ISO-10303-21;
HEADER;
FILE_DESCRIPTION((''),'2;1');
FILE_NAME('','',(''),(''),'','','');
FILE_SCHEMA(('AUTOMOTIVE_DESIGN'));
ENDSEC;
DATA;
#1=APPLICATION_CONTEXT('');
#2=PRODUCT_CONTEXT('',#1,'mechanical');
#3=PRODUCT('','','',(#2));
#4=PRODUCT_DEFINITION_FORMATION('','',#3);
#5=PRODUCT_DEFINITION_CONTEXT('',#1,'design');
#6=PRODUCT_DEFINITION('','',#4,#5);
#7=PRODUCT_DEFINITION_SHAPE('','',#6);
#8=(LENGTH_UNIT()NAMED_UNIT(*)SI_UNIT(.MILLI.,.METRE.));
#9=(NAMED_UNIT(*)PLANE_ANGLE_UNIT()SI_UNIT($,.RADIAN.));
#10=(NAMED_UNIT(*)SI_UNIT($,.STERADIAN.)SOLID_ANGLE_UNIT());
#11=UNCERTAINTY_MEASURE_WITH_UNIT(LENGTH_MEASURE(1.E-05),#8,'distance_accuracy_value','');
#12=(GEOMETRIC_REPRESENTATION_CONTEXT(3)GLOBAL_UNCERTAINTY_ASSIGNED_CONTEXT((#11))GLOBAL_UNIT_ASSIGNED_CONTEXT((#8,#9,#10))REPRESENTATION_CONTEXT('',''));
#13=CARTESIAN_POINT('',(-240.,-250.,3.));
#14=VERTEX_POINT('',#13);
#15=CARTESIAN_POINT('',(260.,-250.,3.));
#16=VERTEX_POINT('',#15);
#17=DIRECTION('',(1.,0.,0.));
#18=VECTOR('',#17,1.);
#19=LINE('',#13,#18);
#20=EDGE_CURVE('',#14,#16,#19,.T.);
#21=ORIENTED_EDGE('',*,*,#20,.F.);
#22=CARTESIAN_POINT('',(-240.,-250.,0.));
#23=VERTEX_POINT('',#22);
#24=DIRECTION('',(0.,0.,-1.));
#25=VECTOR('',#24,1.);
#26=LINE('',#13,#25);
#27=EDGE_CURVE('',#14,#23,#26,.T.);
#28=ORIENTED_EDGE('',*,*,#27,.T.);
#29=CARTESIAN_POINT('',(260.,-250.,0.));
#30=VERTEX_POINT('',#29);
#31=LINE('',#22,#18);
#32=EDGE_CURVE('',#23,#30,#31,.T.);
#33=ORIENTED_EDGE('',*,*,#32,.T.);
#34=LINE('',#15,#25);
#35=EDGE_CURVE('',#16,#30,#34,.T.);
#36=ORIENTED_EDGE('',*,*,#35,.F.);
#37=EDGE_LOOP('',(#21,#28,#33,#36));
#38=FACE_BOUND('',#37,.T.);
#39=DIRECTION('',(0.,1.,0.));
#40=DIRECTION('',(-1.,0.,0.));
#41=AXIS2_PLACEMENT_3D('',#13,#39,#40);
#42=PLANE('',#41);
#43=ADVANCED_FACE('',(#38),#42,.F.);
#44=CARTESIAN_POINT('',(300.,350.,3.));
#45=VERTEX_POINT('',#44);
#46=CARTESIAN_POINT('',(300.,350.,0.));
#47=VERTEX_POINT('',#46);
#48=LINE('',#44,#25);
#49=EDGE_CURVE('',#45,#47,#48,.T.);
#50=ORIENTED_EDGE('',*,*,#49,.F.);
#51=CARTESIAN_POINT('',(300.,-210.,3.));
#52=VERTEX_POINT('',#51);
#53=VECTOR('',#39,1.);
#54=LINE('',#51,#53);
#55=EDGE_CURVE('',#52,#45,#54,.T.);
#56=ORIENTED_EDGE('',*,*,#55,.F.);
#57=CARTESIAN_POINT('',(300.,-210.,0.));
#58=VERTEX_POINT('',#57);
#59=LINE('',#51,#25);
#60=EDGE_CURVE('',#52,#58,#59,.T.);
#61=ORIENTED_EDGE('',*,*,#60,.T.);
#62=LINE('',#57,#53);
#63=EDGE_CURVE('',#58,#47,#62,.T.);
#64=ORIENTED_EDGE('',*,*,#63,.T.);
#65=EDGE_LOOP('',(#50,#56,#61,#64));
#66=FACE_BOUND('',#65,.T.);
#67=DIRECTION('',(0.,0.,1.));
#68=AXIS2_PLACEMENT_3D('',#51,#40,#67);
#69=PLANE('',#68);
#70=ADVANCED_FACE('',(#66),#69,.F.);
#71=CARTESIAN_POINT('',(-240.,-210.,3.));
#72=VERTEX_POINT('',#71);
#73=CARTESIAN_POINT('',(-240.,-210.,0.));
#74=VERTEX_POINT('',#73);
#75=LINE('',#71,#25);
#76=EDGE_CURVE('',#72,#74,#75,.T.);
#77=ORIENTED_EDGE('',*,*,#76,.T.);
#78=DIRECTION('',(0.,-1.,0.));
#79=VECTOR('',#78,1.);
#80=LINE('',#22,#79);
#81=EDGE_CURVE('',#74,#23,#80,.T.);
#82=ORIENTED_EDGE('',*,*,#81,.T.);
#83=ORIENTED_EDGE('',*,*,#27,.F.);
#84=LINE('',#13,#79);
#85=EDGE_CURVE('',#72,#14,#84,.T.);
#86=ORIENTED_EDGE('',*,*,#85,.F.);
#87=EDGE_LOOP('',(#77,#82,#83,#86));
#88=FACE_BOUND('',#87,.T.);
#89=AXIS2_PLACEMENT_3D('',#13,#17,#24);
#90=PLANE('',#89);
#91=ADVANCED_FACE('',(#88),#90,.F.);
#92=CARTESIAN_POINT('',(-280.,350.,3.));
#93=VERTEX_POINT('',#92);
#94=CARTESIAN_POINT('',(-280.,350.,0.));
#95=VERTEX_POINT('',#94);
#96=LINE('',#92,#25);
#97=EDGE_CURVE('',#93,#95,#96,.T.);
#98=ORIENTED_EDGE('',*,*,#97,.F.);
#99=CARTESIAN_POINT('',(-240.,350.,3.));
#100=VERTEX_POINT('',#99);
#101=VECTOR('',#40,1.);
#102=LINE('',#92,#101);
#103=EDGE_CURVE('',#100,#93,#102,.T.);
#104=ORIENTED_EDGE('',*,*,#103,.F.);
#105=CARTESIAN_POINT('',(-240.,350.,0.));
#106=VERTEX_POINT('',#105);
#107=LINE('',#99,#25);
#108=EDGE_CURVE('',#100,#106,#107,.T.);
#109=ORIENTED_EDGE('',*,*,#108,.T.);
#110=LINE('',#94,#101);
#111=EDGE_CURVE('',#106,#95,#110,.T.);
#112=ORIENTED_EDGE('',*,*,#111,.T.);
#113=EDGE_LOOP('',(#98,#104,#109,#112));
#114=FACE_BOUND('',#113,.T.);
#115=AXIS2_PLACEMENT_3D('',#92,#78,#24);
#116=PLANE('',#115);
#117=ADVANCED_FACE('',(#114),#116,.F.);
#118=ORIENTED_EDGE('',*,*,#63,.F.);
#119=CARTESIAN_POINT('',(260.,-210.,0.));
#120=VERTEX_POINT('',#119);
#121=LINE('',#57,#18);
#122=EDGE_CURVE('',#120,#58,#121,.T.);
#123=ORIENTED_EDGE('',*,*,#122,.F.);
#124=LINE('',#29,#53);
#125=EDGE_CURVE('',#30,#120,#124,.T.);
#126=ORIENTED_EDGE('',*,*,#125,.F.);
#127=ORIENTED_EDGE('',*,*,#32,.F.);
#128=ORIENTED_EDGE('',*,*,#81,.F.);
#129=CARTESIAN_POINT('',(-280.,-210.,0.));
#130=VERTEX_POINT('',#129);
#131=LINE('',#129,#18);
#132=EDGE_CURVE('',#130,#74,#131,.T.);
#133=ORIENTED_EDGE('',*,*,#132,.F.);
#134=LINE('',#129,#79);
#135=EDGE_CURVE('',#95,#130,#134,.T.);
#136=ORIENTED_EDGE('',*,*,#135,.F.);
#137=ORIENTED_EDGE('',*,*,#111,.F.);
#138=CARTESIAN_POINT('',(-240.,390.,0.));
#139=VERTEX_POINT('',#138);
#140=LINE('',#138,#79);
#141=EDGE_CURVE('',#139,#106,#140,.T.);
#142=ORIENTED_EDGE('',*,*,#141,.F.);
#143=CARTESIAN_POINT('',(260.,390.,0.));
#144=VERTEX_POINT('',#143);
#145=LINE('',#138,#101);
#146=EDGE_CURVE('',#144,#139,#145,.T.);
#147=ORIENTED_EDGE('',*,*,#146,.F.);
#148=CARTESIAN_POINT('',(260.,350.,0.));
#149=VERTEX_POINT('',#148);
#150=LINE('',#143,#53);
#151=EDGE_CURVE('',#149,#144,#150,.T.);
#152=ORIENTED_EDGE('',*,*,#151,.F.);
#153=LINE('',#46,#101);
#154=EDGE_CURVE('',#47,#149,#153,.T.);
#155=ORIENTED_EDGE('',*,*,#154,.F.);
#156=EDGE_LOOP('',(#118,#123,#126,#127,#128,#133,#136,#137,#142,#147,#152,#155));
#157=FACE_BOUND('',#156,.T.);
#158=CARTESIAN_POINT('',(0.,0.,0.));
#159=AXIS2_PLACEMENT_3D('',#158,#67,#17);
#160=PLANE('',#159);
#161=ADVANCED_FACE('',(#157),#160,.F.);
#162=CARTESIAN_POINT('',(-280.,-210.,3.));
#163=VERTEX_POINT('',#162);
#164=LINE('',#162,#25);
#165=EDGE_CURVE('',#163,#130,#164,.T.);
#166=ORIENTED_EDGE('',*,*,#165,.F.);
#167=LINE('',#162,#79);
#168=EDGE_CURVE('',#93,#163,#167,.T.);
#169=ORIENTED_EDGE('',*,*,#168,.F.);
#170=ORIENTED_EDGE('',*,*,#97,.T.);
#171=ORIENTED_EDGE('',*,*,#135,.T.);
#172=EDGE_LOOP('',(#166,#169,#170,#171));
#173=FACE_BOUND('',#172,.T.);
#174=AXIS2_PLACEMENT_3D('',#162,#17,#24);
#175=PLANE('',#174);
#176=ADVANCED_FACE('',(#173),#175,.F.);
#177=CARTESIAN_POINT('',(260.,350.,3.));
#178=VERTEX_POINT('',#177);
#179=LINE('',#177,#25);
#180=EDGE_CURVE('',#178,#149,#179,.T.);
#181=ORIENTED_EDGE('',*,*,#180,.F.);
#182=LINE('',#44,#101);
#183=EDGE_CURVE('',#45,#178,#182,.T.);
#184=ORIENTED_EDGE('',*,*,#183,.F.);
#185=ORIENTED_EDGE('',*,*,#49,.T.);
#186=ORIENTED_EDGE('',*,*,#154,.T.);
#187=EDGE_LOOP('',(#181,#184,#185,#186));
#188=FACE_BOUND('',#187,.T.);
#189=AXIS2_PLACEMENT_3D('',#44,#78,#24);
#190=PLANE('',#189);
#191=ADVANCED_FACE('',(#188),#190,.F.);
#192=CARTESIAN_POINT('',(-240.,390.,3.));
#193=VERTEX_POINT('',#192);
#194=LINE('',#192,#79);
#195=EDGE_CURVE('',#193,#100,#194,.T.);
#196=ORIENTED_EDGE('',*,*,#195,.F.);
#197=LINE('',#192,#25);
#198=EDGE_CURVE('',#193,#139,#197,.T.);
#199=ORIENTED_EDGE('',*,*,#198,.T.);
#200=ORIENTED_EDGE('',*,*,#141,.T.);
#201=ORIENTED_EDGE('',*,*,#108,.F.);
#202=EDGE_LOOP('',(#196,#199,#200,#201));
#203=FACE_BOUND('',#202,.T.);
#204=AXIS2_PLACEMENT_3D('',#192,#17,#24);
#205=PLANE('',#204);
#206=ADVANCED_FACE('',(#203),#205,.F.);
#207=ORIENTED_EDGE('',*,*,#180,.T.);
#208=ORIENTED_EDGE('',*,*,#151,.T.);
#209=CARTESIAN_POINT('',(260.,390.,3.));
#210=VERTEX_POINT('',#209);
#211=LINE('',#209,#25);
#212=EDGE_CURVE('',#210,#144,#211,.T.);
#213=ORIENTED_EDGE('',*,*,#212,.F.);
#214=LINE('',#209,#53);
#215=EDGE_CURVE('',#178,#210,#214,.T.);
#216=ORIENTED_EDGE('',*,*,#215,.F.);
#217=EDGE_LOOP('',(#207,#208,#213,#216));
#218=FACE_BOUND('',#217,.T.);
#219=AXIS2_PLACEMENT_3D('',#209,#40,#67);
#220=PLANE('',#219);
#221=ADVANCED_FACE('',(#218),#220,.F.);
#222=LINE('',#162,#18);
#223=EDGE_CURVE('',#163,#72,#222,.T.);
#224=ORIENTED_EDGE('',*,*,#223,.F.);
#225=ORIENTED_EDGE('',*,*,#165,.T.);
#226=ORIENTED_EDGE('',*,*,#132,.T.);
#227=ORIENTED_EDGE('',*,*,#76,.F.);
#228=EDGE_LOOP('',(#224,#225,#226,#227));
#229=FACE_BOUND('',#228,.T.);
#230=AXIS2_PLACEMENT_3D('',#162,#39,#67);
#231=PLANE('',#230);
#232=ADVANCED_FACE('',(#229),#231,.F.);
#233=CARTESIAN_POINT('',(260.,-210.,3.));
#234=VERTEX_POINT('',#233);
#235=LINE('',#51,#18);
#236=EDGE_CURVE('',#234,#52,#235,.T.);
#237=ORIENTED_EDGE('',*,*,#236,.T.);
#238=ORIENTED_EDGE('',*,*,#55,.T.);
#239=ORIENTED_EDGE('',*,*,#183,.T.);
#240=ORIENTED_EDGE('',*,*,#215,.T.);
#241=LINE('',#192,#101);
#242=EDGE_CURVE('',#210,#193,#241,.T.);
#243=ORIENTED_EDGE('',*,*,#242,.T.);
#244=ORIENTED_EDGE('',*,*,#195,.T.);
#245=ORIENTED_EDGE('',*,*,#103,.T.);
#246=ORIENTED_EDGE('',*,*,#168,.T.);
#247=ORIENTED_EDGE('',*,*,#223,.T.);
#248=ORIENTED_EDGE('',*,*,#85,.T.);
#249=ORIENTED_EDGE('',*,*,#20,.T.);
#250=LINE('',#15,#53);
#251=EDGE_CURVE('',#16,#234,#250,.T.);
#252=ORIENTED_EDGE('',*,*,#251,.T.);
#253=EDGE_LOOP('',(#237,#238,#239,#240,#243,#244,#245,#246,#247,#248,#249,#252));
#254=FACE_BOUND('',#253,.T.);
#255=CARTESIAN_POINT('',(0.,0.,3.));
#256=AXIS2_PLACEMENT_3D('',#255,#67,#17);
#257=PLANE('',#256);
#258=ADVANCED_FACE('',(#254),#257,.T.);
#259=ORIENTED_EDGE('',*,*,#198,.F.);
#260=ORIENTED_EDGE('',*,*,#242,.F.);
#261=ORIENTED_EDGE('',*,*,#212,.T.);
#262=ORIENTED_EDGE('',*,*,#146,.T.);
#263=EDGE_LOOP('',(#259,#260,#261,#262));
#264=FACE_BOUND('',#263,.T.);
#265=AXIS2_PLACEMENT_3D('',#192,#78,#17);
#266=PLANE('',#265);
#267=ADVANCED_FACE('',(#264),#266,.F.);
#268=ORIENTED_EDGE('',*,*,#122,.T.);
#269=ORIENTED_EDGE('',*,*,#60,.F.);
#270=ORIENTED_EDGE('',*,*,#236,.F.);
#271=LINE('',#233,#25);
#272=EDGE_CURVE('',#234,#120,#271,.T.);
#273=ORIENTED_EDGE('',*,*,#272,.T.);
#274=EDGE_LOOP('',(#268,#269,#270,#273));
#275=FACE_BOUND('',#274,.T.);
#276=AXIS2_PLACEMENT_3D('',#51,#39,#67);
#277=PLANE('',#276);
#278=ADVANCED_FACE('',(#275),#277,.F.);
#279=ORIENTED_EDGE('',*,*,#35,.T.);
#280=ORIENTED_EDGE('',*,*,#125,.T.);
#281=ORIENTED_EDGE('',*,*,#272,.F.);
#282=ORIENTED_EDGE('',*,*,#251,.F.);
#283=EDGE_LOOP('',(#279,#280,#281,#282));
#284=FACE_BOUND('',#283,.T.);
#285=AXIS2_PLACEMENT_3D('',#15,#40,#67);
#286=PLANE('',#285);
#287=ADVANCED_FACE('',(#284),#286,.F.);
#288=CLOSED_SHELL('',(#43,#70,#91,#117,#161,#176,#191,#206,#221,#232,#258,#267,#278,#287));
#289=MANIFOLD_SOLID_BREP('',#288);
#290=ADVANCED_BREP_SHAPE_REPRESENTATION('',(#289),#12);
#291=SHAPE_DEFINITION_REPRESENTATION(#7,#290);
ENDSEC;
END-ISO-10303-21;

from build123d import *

# Parameters (mm, degrees)
BOSS_EXTRU_1_DEPTH = 3


with BuildPart() as part:
    # Esquisse1 → Boss.-Extru.1 (new body)
    with BuildSketch(Plane.XY):
        Polygon((-240, -250), (260, -250), (260, -210), (300, -210), (300, 350), (260, 350), (260, 390), (-240, 390), (-240, 350), (-280, 350), (-280, -210), (-240, -210), align=None)
    extrude(amount=BOSS_EXTRU_1_DEPTH)


solid = part.part
